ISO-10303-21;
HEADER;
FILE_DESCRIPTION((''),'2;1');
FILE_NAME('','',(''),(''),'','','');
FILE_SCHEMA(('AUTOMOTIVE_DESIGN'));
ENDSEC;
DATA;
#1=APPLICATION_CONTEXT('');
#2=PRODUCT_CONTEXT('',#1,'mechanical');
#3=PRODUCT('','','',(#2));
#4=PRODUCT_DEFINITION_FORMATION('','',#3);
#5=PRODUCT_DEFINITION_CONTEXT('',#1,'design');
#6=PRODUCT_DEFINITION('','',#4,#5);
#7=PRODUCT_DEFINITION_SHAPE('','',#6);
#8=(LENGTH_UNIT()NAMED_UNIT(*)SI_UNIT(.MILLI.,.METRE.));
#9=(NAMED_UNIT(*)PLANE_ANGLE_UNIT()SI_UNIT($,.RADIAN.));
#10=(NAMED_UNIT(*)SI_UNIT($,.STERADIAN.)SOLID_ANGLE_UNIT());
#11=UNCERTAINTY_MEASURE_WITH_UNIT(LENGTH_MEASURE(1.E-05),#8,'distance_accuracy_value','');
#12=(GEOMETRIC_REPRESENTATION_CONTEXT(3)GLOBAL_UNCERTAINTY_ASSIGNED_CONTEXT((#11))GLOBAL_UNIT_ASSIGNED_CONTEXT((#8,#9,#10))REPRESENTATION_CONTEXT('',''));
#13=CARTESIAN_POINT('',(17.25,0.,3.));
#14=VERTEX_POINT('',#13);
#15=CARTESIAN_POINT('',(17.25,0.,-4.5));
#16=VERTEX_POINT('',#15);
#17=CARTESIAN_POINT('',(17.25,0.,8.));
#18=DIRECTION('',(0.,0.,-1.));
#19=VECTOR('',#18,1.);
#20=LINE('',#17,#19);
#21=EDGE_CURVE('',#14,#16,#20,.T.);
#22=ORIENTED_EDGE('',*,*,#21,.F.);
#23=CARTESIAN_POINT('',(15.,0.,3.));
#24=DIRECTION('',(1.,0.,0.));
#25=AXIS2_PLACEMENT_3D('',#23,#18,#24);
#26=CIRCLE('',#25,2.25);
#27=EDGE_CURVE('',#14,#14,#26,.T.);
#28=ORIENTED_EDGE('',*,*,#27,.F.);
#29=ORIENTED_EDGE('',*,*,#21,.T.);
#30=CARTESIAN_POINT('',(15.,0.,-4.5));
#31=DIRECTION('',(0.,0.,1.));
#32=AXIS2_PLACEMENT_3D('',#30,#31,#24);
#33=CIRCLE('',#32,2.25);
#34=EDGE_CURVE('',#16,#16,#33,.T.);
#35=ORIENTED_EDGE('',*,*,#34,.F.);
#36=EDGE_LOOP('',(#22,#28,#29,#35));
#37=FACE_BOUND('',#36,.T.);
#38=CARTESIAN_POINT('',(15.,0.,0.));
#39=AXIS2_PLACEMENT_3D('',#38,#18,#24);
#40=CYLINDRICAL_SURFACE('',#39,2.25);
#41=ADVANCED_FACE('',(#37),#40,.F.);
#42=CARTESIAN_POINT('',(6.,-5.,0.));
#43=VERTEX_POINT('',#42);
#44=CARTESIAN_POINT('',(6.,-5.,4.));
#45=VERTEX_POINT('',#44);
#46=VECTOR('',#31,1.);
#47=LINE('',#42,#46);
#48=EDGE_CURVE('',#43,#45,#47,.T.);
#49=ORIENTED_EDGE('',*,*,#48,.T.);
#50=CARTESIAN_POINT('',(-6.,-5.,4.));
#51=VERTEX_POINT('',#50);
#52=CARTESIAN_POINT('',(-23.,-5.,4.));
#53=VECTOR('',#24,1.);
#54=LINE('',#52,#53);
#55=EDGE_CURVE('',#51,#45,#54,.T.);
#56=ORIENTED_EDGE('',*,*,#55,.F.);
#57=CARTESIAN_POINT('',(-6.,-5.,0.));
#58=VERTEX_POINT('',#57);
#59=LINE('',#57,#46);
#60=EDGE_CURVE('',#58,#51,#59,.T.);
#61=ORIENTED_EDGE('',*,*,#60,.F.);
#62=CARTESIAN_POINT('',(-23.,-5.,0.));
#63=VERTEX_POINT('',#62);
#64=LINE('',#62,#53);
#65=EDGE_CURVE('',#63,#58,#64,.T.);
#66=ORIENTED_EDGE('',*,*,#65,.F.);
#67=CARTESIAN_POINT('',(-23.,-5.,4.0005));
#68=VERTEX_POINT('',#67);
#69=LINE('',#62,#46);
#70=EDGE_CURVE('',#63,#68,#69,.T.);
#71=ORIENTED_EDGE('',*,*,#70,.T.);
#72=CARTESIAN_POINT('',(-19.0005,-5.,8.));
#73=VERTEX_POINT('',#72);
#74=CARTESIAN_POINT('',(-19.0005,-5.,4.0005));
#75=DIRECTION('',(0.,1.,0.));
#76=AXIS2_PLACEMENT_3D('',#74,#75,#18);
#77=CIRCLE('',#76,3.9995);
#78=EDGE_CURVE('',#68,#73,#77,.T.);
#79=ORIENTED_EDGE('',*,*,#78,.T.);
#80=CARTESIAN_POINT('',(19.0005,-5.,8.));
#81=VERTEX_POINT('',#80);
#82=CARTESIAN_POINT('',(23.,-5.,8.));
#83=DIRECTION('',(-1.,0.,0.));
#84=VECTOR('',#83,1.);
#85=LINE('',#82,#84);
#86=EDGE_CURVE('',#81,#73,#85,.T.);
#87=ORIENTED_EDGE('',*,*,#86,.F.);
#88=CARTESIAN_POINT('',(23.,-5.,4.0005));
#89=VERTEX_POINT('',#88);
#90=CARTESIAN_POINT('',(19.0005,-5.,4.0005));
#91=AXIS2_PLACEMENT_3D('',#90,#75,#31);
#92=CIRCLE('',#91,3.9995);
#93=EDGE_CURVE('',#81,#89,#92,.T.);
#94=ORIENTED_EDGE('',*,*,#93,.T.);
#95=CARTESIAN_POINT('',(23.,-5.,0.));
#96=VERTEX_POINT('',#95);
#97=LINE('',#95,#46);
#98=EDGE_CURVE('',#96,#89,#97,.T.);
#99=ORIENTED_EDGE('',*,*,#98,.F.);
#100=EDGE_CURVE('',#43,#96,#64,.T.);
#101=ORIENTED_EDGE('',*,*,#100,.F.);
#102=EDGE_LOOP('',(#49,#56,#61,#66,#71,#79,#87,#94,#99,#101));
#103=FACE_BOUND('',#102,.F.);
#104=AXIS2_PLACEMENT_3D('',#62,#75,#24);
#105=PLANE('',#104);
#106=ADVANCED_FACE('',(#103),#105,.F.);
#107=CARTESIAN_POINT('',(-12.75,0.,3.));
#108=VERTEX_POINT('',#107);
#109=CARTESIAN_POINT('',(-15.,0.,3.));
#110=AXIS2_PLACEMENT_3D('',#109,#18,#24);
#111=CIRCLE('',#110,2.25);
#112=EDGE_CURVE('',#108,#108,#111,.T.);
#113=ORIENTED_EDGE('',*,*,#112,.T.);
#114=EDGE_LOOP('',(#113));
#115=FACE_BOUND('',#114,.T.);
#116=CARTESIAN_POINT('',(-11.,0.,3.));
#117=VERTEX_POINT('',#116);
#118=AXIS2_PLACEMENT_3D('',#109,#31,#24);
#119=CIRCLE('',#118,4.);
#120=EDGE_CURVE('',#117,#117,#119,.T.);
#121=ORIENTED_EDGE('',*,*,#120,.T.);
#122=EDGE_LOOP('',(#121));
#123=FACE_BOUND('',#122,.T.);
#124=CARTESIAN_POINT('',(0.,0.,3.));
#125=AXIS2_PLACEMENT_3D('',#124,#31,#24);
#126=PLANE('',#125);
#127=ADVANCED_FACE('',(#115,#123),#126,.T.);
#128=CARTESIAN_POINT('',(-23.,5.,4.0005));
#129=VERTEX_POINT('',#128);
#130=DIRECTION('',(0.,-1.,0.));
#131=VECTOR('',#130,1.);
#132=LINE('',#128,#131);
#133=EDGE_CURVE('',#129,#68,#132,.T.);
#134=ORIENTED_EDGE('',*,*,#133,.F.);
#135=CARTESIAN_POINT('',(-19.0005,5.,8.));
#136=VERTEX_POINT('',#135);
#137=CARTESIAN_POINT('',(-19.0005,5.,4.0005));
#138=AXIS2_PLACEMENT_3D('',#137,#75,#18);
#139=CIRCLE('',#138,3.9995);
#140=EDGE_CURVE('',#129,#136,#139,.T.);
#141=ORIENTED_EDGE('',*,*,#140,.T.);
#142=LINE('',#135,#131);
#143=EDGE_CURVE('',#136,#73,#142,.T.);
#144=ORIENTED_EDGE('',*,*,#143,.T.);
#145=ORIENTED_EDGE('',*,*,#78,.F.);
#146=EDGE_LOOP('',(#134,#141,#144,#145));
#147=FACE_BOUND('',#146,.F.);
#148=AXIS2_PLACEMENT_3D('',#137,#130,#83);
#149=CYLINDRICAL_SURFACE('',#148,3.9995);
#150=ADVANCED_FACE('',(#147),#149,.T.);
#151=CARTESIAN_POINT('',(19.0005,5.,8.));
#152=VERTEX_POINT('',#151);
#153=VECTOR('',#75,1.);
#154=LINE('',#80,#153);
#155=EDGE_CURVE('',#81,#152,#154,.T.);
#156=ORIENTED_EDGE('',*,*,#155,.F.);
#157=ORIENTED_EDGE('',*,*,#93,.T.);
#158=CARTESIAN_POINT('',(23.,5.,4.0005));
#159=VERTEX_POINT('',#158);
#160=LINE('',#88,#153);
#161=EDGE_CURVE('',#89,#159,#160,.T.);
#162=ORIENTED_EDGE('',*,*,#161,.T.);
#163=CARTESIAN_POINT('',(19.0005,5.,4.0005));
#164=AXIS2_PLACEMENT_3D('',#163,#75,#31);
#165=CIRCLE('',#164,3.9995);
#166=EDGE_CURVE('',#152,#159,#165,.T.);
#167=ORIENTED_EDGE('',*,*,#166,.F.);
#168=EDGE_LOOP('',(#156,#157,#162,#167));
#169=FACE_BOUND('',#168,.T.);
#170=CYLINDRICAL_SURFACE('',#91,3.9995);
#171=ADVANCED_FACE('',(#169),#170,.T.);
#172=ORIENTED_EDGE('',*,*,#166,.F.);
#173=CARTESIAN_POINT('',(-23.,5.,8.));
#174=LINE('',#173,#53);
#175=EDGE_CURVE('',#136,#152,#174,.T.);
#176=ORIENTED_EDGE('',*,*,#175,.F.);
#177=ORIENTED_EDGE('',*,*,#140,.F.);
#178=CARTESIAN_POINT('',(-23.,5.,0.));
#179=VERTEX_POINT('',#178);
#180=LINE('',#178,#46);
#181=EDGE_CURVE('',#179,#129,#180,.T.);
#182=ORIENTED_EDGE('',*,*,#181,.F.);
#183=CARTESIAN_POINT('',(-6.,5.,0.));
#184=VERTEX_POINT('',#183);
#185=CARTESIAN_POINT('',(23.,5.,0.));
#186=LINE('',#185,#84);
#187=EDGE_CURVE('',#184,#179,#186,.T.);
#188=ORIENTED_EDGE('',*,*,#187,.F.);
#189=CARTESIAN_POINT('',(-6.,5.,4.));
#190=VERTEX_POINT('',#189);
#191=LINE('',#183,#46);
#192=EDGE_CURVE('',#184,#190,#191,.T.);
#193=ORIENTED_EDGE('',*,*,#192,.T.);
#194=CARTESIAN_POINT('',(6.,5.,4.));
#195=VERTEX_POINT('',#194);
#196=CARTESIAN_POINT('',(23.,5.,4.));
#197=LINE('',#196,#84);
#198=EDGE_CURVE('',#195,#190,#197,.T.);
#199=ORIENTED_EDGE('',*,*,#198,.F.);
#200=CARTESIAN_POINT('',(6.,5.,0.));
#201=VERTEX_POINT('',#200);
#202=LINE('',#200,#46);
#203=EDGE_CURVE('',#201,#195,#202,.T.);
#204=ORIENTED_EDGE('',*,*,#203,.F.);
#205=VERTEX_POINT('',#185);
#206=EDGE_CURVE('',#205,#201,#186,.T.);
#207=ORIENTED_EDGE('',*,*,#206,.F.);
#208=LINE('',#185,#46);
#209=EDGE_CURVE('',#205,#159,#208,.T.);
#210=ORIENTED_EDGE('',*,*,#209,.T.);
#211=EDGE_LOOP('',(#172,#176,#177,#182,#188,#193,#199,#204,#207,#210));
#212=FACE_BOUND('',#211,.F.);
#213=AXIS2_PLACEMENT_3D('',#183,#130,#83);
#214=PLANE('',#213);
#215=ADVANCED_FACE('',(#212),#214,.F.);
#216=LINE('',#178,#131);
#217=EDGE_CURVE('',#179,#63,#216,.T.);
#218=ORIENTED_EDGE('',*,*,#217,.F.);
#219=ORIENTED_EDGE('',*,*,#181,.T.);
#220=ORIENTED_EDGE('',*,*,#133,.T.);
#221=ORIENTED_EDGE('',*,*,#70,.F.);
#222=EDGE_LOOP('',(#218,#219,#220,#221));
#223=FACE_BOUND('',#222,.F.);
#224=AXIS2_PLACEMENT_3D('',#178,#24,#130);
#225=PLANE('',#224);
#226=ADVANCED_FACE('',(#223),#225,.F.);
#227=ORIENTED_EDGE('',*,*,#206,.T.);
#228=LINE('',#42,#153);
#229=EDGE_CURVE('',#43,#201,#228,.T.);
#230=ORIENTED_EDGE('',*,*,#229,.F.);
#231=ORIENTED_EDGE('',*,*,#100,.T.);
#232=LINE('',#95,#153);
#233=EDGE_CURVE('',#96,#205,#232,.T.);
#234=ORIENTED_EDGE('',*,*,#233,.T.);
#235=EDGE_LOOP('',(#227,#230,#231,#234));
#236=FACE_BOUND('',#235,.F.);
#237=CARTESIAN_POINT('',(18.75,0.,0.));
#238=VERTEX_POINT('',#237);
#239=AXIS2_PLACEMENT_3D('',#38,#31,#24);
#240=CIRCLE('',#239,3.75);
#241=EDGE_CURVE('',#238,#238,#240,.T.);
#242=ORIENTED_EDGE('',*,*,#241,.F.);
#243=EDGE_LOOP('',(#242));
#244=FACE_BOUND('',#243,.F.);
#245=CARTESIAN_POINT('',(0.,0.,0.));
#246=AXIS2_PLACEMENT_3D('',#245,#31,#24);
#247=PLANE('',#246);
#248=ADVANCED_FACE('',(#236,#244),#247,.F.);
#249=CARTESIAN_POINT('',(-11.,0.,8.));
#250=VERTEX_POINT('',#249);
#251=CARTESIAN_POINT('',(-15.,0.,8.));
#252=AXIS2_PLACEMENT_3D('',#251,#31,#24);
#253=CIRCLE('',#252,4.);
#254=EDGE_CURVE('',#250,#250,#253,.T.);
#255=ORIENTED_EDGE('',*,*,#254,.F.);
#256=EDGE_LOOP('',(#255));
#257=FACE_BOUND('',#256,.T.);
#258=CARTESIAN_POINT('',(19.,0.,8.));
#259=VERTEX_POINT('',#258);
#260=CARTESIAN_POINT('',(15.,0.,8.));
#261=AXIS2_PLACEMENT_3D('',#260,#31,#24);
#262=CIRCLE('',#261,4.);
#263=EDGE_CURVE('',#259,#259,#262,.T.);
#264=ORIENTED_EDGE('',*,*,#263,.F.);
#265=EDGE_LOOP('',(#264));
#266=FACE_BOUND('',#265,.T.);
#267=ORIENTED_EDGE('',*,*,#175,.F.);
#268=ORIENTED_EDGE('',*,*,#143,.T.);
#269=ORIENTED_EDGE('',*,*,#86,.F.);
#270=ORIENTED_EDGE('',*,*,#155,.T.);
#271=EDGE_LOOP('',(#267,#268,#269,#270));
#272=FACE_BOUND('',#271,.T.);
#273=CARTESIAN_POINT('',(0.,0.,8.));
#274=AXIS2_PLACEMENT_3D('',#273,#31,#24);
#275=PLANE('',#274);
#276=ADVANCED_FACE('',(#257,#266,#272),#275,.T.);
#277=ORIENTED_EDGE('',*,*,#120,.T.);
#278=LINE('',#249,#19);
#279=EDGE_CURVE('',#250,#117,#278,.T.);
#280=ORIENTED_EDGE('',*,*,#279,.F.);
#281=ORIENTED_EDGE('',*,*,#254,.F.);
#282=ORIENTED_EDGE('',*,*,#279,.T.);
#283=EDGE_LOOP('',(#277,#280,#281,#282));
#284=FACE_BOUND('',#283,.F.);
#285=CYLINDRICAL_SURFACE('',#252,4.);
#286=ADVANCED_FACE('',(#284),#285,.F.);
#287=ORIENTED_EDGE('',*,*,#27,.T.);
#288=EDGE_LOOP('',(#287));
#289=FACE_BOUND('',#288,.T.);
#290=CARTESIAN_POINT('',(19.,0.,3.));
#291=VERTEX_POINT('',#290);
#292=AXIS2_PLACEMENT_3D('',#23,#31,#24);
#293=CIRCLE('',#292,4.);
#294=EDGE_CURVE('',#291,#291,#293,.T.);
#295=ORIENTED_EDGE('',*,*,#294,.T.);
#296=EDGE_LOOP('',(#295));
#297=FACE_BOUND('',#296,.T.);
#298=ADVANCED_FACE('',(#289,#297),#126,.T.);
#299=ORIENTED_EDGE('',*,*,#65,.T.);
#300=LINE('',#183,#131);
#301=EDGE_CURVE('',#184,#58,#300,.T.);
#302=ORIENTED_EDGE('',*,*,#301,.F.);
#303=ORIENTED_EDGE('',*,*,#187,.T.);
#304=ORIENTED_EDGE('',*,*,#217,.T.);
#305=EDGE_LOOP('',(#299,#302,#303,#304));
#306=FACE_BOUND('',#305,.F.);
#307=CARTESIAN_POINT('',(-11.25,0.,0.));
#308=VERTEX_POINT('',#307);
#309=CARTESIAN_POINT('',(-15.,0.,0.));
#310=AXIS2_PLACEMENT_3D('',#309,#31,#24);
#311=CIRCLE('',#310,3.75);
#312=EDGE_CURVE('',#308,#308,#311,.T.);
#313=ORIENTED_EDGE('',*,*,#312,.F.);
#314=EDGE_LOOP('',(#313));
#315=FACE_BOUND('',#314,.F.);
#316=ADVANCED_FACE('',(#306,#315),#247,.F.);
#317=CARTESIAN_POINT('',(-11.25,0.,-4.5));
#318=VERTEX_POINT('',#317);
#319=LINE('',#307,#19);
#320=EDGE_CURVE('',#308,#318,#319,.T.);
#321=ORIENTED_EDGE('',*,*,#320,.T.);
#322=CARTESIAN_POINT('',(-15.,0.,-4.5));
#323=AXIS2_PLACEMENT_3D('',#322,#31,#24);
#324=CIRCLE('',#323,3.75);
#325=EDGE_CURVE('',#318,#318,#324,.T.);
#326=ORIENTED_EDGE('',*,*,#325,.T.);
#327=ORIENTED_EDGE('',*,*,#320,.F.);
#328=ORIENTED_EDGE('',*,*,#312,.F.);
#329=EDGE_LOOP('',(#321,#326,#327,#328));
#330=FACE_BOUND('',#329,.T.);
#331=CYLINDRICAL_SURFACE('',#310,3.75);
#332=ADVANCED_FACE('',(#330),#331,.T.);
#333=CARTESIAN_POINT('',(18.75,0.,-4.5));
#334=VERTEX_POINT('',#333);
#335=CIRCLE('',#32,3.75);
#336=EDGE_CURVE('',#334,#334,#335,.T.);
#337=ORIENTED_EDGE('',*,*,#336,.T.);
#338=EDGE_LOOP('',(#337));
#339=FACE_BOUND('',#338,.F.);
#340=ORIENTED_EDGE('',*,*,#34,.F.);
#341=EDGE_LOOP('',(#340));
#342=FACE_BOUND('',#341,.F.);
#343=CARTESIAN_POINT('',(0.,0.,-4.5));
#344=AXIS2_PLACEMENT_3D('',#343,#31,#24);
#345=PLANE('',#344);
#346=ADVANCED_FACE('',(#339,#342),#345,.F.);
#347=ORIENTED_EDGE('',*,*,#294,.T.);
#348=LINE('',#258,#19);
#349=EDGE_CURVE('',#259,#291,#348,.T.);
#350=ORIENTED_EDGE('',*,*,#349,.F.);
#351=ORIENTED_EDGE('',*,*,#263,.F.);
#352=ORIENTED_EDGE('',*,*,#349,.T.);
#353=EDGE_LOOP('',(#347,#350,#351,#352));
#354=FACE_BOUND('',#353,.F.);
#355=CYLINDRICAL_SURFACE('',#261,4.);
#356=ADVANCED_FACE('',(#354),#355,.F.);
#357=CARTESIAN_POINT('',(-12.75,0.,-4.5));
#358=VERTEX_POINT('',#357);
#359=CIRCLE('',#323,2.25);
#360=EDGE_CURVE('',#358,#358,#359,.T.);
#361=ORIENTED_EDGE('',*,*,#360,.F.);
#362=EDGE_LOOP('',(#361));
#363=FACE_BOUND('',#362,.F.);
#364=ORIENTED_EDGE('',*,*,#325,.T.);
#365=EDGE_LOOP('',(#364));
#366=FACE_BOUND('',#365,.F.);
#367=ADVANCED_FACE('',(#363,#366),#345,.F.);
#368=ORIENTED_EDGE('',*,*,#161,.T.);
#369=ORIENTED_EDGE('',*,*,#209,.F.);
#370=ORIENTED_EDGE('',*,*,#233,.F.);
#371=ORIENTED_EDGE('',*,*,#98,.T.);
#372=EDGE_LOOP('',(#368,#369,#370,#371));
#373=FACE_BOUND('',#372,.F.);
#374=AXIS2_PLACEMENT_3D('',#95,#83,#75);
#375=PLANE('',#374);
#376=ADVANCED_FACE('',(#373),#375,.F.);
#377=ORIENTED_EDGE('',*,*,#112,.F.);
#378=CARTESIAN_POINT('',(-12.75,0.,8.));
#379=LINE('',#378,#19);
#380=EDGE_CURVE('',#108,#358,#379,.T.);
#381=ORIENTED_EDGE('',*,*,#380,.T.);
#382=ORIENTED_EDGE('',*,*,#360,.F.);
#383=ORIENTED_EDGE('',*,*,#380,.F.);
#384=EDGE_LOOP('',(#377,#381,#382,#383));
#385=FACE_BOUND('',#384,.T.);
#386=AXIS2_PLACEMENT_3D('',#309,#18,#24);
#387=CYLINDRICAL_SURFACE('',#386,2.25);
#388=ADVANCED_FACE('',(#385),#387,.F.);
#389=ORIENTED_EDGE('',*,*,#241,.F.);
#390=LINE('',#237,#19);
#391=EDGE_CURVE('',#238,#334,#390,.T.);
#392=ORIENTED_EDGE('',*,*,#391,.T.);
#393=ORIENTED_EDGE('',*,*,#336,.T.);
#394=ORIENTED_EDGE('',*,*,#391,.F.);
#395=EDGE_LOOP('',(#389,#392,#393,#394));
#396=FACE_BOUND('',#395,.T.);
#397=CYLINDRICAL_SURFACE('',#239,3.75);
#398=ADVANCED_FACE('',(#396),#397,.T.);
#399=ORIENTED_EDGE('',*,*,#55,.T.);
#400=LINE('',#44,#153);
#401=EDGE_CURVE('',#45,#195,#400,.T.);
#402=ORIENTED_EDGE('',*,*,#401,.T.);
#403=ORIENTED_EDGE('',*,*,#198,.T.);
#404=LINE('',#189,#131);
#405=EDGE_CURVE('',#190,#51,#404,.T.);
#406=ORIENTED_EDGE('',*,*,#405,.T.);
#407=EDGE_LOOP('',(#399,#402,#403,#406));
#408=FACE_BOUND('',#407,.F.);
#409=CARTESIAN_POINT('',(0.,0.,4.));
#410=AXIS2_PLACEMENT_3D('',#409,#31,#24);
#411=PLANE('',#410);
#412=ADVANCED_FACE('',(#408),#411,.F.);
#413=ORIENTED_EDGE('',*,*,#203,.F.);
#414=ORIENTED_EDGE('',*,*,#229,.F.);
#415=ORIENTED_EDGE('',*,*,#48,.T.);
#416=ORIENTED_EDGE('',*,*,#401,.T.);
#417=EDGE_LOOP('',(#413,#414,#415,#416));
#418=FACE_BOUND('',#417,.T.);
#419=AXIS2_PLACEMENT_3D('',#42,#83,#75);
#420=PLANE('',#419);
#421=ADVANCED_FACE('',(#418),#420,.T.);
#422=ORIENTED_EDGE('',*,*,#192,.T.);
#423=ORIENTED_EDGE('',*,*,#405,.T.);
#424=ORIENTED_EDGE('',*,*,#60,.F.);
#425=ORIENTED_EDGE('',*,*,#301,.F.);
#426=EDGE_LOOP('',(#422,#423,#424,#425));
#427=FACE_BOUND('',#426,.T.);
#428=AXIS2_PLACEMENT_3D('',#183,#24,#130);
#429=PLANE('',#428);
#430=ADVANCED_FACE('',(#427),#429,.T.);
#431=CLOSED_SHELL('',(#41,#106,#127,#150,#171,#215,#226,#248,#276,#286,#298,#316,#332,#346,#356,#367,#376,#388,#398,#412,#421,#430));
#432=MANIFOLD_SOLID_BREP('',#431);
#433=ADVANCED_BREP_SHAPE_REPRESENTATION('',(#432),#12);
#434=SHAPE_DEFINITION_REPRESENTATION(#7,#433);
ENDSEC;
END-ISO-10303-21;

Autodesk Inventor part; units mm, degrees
ref_plane "YZ Plane" through (0, 0, 0) normal (1, 0, 0) x (0, 1, 0)
ref_plane "XZ Plane" through (0, 0, 0) normal (0, 1, 0) x (-1, 0, 0)
ref_plane "XY Plane" through (0, 0, 0) normal (0, 0, 1) x (1, 0, 0)
sketch "Szkic1" plane through (0, 0, 0) normal (0, 0, 1) x (1, 0, 0)
  line L0 (-23, -5) -> (23, -5)
  line L1 (23, -5) -> (23, 5)
  line L2 (23, 5) -> (-23, 5)
  line L3 (-23, 5) -> (-23, -5)
  line L4 (-23, -5) -> (23, 5) construction
  line L5 (23, -5) -> (-23, 5) construction
  circle A0 centre (-15, 0) radius 3.75
  circle A1 centre (-15, 0) radius 2.25
  circle A2 centre (15, 0) radius 3.75
  circle A3 centre (15, 0) radius 2.25
  line L6 (-6, -5) -> (6, -5)
  line L7 (6, -5) -> (6, 5)
  line L8 (6, 5) -> (-6, 5)
  line L9 (-6, 5) -> (-6, -5)
  line L10 (-6, -5) -> (6, 5) construction
  line L11 (6, -5) -> (-6, 5) construction
  circle A4 centre (-15, 0) radius 4
  circle A5 centre (15, 0) radius 4
  point P0 (0, 0)
  point P1 (0, 0)
  dimension "d1" = 10
  dimension "d3" = 7.5
  dimension "d4" = 4.5
  dimension "d6" = 15
  dimension "d7" = 15
  dimension "d8" = 8
  dimension "d9" = 6
  dimension "d18" = 8
  dimension "d19" = 8
extrude "Wyciągnięcie proste1" add sketch "Szkic1" along normal blind 8 contours L3 L2 L9 L0 | L9 L2 L7 L0 | L7 L2 L1 L0 | A0 | A1 | A2 | A3 | A4 | A5
extrude "Wyciągnięcie proste2" cut sketch "Szkic1" along normal blind 4 contours L9 L2 L7 L0
extrude "Wyciągnięcie proste3" cut sketch "Szkic1" along normal through all contours A1 | A3
extrude "Wyciągnięcie proste4" add sketch "Szkic1" against normal blind 4.5 contours A0 | A2
extrude "Wyciągnięcie proste5" cut sketch "Szkic1" against normal blind 5 from surface at 8 contours A0 | A1 | A2 | A3 | A4 | A5
fillet "Zaokrąglenie1" radius 4 2 edges at (23, 0, 8) (-23, 0, 8)
properties part number "ZTopCable" material "Tworzywo sztuczne ABS"
